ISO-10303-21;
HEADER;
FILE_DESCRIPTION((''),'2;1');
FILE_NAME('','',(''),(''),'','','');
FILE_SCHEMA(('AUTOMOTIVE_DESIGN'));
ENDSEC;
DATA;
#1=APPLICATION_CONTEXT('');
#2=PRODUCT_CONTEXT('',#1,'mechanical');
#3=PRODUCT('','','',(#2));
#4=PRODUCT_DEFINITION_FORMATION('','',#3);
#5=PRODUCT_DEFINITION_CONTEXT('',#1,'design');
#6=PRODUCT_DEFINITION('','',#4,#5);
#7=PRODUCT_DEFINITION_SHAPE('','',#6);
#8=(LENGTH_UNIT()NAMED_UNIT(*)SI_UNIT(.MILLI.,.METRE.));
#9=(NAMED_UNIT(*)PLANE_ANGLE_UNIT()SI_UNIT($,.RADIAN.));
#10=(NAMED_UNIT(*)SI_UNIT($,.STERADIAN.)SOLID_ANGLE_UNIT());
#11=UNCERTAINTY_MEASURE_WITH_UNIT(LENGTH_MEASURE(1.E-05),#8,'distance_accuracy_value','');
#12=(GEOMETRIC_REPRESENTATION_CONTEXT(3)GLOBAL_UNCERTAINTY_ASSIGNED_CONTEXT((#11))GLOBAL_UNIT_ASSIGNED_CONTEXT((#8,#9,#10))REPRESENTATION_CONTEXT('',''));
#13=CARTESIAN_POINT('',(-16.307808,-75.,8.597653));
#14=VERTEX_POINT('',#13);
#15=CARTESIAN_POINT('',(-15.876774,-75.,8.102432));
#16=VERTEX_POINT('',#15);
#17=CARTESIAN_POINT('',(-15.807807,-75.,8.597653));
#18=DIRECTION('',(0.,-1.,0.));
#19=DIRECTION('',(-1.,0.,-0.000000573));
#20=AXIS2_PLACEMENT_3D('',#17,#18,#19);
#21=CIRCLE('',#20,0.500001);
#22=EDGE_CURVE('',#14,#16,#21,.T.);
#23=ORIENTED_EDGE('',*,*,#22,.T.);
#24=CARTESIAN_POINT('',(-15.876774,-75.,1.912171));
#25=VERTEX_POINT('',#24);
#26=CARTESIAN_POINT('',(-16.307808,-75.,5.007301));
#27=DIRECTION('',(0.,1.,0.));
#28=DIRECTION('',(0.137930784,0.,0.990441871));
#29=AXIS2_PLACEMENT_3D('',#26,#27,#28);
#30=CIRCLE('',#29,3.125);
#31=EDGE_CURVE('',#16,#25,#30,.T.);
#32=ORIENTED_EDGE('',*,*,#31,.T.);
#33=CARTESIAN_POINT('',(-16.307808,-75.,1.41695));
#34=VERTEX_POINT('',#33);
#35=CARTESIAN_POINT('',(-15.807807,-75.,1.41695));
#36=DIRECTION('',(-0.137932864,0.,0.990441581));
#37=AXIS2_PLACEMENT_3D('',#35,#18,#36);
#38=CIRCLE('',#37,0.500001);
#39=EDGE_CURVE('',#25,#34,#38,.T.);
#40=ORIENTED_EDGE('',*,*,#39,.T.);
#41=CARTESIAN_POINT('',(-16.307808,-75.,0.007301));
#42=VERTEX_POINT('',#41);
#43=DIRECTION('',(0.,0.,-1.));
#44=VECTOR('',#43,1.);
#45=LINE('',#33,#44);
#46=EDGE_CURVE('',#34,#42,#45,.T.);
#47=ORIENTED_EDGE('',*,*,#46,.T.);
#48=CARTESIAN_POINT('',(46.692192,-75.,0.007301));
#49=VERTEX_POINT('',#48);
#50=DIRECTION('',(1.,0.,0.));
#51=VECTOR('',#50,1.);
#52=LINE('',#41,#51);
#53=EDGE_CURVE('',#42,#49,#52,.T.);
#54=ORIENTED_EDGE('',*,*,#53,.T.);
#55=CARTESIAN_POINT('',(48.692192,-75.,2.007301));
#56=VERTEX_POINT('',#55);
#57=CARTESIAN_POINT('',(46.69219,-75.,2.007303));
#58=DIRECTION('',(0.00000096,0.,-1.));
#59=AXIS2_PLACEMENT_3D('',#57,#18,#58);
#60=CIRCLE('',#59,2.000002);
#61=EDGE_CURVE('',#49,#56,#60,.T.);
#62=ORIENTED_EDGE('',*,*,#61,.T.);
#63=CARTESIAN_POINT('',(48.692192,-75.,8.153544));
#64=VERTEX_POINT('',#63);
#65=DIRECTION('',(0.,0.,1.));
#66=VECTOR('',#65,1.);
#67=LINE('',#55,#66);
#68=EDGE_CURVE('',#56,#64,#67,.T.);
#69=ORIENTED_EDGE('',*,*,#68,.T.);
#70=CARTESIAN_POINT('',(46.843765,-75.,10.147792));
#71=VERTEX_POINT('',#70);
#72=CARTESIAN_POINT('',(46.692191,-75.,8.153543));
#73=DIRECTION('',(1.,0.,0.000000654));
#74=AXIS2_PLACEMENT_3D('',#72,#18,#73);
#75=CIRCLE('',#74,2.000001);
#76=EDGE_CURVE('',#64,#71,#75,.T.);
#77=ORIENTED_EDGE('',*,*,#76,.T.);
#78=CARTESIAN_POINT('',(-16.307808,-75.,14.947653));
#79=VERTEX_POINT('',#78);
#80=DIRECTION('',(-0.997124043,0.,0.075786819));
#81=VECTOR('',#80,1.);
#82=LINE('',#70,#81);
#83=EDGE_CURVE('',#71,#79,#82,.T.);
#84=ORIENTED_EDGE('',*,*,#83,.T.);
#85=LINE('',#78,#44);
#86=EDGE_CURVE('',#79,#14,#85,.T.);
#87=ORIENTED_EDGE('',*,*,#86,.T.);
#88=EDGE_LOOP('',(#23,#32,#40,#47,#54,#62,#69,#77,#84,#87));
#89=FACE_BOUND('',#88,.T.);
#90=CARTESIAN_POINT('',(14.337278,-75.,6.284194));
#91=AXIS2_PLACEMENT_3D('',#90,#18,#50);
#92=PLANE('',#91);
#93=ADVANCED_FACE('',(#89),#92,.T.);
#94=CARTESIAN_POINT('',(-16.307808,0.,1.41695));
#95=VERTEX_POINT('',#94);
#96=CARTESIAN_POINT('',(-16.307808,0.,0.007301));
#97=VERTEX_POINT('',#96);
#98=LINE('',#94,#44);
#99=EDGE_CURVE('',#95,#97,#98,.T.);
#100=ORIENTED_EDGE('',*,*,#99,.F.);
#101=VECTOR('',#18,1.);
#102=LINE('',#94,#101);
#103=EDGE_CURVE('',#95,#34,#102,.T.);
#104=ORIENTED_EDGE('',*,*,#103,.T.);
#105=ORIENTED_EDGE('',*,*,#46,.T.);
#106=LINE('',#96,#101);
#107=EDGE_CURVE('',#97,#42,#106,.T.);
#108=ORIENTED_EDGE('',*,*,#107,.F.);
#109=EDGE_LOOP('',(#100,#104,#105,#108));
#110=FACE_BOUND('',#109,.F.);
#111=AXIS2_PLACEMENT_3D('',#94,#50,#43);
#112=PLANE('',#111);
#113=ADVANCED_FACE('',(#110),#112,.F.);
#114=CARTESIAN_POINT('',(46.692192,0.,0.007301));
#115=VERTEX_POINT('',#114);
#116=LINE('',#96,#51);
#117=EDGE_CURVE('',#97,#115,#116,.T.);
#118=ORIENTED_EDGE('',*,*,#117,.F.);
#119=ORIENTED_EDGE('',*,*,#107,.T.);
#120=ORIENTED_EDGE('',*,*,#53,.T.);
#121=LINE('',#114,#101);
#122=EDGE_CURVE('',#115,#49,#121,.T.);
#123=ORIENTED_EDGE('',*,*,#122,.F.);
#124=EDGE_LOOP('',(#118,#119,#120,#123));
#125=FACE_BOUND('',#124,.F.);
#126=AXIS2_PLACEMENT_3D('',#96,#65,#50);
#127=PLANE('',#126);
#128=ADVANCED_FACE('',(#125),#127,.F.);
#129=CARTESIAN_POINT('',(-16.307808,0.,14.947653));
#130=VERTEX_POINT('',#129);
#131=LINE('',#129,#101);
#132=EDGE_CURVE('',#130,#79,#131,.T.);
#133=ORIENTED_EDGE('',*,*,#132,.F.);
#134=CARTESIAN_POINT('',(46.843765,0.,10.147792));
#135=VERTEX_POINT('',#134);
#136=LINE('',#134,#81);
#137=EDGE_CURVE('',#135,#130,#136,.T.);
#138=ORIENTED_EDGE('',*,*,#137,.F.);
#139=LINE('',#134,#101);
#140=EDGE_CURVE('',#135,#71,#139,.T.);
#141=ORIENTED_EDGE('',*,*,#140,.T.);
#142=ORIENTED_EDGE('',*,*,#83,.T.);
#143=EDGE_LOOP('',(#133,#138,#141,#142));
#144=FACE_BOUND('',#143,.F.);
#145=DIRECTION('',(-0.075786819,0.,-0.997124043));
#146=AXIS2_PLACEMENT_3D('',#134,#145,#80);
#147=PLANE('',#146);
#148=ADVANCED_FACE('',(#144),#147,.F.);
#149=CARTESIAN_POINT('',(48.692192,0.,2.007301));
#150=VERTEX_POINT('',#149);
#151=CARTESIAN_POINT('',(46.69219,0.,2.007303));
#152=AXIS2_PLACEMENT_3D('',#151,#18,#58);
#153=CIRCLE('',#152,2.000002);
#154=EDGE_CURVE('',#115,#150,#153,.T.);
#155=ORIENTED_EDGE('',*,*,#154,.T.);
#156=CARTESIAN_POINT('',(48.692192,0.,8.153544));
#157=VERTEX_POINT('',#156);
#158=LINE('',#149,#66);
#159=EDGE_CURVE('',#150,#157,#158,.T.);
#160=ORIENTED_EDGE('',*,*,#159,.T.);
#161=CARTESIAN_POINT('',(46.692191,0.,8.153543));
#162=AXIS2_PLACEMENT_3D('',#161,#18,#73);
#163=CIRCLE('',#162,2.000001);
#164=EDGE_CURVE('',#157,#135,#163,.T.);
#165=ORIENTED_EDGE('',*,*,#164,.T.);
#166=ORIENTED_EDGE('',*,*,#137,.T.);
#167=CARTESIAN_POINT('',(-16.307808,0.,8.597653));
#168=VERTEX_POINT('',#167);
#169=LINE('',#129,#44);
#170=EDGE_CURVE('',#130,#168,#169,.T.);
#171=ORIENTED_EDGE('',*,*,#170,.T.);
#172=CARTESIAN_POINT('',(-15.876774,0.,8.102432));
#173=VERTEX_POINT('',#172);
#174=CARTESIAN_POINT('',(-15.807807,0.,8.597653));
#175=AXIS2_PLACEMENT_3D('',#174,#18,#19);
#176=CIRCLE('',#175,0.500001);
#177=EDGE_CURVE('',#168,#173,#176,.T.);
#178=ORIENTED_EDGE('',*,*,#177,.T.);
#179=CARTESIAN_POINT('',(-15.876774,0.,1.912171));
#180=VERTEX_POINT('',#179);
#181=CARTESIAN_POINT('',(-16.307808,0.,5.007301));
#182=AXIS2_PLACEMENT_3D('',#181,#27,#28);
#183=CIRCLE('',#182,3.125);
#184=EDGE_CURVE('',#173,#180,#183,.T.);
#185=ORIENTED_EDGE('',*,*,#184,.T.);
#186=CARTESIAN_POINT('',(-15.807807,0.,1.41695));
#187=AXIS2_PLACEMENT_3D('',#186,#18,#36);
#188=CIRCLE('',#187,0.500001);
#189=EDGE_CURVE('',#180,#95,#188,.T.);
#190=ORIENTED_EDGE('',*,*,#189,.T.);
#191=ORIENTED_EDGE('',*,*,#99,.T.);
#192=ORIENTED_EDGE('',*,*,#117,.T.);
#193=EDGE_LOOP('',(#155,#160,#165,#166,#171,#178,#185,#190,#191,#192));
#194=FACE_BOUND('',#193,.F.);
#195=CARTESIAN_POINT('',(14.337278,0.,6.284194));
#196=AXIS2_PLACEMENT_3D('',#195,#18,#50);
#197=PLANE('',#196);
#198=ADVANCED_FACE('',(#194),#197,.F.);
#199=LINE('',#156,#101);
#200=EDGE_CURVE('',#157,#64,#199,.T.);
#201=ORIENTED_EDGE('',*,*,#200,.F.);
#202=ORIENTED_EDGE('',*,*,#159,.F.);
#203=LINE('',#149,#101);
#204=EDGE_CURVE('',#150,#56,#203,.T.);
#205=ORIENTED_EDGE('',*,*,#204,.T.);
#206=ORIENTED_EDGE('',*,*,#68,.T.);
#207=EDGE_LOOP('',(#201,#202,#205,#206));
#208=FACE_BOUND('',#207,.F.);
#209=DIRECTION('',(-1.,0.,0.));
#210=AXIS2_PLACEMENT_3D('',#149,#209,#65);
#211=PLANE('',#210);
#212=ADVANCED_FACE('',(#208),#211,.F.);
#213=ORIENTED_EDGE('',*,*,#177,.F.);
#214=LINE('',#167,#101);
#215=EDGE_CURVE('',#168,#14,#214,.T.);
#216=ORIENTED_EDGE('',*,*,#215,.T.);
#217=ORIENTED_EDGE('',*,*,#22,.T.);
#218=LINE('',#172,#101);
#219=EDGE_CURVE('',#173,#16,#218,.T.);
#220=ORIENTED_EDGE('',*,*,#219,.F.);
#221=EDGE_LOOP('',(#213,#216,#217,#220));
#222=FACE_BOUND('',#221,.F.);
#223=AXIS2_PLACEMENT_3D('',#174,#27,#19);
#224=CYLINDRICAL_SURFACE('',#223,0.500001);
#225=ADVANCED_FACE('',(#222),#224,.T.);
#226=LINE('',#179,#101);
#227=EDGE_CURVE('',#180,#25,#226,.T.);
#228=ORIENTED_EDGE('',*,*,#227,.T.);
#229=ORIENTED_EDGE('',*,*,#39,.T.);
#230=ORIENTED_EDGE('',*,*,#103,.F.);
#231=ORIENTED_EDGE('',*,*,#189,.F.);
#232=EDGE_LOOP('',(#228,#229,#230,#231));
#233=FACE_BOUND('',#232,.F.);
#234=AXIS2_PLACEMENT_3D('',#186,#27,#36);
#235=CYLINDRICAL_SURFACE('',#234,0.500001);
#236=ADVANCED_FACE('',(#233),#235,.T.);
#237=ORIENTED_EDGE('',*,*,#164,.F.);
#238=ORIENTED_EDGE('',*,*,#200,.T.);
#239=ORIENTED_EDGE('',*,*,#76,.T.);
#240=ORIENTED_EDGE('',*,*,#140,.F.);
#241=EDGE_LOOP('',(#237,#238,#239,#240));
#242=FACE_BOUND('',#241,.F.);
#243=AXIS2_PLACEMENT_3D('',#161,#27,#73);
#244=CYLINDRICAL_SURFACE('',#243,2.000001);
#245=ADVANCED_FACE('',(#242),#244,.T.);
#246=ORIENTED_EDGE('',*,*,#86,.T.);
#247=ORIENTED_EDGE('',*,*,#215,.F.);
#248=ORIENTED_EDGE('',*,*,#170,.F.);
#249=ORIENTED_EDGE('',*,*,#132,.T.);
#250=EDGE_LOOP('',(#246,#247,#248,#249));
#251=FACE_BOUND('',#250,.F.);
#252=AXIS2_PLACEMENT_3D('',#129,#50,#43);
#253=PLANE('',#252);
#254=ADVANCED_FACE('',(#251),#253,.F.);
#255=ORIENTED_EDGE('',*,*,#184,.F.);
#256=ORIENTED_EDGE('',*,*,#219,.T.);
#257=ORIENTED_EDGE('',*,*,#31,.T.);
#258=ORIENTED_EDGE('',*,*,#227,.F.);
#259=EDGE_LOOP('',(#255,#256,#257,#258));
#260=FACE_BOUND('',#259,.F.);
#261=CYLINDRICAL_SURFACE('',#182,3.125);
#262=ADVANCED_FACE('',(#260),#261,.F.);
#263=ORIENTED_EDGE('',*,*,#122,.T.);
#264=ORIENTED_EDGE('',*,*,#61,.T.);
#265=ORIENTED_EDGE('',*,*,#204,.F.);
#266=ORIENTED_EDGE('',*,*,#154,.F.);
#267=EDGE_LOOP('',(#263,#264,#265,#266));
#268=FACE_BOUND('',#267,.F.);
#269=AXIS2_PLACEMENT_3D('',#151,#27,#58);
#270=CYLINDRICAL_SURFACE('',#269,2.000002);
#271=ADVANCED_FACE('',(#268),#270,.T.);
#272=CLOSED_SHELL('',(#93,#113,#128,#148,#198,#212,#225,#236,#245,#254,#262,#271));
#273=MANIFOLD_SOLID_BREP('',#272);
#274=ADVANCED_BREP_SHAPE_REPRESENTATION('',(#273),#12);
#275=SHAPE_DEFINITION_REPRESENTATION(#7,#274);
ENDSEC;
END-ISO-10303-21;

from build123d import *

# Parameters (mm, degrees)
F1_DEPTH = 75


with BuildPart() as f1:
    # F0 (on Front) → F1 (new body)
    with BuildSketch(Plane.XZ):
        with BuildLine():
            Line((-16.307808, 0.007301), (46.692192, 0.007301))
            ThreePointArc((46.692192, 0.007301), (48.106405, 0.593088), (48.692192, 2.007301))
            Line((48.692192, 2.007301), (48.692192, 8.153544))
            ThreePointArc((48.692192, 8.153544), (48.159016, 9.513112), (46.843765, 10.147792))
            Line((46.843765, 10.147792), (-16.307808, 14.947653))
            Line((-16.307808, 14.947653), (-16.307808, 8.597653))
            ThreePointArc((-16.307808, 8.597653), (-16.184957, 8.269387), (-15.876774, 8.102432))
            ThreePointArc((-15.876774, 8.102432), (-13.182808, 5.007301), (-15.876774, 1.912171))
            ThreePointArc((-15.876774, 1.912171), (-16.184957, 1.745216), (-16.307808, 1.41695))
            Line((-16.307808, 1.41695), (-16.307808, 0.007301))
        make_face()
    extrude(amount=F1_DEPTH)


solid = f1.part
